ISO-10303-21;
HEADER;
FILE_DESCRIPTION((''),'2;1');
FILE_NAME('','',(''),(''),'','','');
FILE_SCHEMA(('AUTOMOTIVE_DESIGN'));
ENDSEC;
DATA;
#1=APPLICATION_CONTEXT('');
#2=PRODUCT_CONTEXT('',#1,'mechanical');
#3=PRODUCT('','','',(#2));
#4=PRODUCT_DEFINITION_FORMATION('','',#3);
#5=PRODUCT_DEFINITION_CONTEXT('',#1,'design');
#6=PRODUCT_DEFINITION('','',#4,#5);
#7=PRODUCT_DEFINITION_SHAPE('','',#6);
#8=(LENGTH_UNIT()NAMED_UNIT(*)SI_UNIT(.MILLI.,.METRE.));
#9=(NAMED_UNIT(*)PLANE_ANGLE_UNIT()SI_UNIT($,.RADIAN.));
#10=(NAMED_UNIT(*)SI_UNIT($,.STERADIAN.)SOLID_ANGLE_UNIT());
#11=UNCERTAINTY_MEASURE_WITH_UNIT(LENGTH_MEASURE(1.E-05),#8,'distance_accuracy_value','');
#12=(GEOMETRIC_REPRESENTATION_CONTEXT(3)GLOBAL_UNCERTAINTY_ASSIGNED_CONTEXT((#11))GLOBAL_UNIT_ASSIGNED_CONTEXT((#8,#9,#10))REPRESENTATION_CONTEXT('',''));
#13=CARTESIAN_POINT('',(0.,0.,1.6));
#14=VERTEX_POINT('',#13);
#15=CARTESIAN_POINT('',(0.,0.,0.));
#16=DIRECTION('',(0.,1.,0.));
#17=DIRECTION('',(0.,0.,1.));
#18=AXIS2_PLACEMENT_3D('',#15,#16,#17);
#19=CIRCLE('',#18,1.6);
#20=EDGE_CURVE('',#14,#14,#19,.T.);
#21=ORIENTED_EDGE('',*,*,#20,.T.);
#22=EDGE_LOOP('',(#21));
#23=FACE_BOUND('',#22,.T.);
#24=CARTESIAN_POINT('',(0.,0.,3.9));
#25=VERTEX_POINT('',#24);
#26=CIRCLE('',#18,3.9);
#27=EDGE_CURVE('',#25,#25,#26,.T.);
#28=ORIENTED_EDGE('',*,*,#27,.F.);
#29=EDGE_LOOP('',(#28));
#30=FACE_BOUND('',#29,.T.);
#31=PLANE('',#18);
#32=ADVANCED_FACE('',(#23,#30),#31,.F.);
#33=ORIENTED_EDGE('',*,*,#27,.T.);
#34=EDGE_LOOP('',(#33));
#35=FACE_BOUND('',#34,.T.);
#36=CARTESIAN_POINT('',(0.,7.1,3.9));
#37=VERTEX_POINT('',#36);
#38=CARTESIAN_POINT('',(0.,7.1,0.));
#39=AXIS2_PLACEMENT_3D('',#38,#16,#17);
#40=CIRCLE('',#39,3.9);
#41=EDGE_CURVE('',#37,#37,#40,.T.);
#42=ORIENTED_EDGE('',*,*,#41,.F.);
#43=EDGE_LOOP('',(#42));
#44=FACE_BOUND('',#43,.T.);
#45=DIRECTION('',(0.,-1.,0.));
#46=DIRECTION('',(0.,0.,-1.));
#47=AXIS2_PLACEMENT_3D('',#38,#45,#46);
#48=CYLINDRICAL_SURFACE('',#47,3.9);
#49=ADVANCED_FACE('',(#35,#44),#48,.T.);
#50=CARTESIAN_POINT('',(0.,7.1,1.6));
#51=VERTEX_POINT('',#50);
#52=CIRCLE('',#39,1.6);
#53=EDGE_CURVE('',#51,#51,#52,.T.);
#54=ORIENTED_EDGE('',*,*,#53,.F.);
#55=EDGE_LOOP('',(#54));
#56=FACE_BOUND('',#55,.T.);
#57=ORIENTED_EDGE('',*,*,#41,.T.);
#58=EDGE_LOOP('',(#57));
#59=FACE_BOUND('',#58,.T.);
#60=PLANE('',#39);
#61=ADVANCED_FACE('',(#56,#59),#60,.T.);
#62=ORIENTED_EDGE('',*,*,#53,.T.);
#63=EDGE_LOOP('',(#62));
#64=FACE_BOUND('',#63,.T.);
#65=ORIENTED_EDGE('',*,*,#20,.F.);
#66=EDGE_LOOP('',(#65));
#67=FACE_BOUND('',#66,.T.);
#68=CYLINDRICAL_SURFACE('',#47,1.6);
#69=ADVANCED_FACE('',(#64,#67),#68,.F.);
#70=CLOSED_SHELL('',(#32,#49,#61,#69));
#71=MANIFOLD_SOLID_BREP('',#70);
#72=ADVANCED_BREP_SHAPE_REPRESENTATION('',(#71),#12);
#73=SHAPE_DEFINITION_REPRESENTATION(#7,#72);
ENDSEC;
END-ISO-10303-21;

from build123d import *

# Parameters (mm, degrees)
SKETCH11_R          = 3.9
SKETCH11_R_2        = 1.6
BOSS_EXTRUDE6_DEPTH = 7.1


with BuildPart() as part:
    # Sketch11 → Boss-Extrude6 (new body)
    with BuildSketch(Plane(origin=(0, 0, 0), x_dir=(1, 0, 0), z_dir=(0, 1, 0))):
        Circle(SKETCH11_R)
        Circle(SKETCH11_R_2, mode=Mode.SUBTRACT)
    extrude(amount=BOSS_EXTRUDE6_DEPTH)


solid = part.part
